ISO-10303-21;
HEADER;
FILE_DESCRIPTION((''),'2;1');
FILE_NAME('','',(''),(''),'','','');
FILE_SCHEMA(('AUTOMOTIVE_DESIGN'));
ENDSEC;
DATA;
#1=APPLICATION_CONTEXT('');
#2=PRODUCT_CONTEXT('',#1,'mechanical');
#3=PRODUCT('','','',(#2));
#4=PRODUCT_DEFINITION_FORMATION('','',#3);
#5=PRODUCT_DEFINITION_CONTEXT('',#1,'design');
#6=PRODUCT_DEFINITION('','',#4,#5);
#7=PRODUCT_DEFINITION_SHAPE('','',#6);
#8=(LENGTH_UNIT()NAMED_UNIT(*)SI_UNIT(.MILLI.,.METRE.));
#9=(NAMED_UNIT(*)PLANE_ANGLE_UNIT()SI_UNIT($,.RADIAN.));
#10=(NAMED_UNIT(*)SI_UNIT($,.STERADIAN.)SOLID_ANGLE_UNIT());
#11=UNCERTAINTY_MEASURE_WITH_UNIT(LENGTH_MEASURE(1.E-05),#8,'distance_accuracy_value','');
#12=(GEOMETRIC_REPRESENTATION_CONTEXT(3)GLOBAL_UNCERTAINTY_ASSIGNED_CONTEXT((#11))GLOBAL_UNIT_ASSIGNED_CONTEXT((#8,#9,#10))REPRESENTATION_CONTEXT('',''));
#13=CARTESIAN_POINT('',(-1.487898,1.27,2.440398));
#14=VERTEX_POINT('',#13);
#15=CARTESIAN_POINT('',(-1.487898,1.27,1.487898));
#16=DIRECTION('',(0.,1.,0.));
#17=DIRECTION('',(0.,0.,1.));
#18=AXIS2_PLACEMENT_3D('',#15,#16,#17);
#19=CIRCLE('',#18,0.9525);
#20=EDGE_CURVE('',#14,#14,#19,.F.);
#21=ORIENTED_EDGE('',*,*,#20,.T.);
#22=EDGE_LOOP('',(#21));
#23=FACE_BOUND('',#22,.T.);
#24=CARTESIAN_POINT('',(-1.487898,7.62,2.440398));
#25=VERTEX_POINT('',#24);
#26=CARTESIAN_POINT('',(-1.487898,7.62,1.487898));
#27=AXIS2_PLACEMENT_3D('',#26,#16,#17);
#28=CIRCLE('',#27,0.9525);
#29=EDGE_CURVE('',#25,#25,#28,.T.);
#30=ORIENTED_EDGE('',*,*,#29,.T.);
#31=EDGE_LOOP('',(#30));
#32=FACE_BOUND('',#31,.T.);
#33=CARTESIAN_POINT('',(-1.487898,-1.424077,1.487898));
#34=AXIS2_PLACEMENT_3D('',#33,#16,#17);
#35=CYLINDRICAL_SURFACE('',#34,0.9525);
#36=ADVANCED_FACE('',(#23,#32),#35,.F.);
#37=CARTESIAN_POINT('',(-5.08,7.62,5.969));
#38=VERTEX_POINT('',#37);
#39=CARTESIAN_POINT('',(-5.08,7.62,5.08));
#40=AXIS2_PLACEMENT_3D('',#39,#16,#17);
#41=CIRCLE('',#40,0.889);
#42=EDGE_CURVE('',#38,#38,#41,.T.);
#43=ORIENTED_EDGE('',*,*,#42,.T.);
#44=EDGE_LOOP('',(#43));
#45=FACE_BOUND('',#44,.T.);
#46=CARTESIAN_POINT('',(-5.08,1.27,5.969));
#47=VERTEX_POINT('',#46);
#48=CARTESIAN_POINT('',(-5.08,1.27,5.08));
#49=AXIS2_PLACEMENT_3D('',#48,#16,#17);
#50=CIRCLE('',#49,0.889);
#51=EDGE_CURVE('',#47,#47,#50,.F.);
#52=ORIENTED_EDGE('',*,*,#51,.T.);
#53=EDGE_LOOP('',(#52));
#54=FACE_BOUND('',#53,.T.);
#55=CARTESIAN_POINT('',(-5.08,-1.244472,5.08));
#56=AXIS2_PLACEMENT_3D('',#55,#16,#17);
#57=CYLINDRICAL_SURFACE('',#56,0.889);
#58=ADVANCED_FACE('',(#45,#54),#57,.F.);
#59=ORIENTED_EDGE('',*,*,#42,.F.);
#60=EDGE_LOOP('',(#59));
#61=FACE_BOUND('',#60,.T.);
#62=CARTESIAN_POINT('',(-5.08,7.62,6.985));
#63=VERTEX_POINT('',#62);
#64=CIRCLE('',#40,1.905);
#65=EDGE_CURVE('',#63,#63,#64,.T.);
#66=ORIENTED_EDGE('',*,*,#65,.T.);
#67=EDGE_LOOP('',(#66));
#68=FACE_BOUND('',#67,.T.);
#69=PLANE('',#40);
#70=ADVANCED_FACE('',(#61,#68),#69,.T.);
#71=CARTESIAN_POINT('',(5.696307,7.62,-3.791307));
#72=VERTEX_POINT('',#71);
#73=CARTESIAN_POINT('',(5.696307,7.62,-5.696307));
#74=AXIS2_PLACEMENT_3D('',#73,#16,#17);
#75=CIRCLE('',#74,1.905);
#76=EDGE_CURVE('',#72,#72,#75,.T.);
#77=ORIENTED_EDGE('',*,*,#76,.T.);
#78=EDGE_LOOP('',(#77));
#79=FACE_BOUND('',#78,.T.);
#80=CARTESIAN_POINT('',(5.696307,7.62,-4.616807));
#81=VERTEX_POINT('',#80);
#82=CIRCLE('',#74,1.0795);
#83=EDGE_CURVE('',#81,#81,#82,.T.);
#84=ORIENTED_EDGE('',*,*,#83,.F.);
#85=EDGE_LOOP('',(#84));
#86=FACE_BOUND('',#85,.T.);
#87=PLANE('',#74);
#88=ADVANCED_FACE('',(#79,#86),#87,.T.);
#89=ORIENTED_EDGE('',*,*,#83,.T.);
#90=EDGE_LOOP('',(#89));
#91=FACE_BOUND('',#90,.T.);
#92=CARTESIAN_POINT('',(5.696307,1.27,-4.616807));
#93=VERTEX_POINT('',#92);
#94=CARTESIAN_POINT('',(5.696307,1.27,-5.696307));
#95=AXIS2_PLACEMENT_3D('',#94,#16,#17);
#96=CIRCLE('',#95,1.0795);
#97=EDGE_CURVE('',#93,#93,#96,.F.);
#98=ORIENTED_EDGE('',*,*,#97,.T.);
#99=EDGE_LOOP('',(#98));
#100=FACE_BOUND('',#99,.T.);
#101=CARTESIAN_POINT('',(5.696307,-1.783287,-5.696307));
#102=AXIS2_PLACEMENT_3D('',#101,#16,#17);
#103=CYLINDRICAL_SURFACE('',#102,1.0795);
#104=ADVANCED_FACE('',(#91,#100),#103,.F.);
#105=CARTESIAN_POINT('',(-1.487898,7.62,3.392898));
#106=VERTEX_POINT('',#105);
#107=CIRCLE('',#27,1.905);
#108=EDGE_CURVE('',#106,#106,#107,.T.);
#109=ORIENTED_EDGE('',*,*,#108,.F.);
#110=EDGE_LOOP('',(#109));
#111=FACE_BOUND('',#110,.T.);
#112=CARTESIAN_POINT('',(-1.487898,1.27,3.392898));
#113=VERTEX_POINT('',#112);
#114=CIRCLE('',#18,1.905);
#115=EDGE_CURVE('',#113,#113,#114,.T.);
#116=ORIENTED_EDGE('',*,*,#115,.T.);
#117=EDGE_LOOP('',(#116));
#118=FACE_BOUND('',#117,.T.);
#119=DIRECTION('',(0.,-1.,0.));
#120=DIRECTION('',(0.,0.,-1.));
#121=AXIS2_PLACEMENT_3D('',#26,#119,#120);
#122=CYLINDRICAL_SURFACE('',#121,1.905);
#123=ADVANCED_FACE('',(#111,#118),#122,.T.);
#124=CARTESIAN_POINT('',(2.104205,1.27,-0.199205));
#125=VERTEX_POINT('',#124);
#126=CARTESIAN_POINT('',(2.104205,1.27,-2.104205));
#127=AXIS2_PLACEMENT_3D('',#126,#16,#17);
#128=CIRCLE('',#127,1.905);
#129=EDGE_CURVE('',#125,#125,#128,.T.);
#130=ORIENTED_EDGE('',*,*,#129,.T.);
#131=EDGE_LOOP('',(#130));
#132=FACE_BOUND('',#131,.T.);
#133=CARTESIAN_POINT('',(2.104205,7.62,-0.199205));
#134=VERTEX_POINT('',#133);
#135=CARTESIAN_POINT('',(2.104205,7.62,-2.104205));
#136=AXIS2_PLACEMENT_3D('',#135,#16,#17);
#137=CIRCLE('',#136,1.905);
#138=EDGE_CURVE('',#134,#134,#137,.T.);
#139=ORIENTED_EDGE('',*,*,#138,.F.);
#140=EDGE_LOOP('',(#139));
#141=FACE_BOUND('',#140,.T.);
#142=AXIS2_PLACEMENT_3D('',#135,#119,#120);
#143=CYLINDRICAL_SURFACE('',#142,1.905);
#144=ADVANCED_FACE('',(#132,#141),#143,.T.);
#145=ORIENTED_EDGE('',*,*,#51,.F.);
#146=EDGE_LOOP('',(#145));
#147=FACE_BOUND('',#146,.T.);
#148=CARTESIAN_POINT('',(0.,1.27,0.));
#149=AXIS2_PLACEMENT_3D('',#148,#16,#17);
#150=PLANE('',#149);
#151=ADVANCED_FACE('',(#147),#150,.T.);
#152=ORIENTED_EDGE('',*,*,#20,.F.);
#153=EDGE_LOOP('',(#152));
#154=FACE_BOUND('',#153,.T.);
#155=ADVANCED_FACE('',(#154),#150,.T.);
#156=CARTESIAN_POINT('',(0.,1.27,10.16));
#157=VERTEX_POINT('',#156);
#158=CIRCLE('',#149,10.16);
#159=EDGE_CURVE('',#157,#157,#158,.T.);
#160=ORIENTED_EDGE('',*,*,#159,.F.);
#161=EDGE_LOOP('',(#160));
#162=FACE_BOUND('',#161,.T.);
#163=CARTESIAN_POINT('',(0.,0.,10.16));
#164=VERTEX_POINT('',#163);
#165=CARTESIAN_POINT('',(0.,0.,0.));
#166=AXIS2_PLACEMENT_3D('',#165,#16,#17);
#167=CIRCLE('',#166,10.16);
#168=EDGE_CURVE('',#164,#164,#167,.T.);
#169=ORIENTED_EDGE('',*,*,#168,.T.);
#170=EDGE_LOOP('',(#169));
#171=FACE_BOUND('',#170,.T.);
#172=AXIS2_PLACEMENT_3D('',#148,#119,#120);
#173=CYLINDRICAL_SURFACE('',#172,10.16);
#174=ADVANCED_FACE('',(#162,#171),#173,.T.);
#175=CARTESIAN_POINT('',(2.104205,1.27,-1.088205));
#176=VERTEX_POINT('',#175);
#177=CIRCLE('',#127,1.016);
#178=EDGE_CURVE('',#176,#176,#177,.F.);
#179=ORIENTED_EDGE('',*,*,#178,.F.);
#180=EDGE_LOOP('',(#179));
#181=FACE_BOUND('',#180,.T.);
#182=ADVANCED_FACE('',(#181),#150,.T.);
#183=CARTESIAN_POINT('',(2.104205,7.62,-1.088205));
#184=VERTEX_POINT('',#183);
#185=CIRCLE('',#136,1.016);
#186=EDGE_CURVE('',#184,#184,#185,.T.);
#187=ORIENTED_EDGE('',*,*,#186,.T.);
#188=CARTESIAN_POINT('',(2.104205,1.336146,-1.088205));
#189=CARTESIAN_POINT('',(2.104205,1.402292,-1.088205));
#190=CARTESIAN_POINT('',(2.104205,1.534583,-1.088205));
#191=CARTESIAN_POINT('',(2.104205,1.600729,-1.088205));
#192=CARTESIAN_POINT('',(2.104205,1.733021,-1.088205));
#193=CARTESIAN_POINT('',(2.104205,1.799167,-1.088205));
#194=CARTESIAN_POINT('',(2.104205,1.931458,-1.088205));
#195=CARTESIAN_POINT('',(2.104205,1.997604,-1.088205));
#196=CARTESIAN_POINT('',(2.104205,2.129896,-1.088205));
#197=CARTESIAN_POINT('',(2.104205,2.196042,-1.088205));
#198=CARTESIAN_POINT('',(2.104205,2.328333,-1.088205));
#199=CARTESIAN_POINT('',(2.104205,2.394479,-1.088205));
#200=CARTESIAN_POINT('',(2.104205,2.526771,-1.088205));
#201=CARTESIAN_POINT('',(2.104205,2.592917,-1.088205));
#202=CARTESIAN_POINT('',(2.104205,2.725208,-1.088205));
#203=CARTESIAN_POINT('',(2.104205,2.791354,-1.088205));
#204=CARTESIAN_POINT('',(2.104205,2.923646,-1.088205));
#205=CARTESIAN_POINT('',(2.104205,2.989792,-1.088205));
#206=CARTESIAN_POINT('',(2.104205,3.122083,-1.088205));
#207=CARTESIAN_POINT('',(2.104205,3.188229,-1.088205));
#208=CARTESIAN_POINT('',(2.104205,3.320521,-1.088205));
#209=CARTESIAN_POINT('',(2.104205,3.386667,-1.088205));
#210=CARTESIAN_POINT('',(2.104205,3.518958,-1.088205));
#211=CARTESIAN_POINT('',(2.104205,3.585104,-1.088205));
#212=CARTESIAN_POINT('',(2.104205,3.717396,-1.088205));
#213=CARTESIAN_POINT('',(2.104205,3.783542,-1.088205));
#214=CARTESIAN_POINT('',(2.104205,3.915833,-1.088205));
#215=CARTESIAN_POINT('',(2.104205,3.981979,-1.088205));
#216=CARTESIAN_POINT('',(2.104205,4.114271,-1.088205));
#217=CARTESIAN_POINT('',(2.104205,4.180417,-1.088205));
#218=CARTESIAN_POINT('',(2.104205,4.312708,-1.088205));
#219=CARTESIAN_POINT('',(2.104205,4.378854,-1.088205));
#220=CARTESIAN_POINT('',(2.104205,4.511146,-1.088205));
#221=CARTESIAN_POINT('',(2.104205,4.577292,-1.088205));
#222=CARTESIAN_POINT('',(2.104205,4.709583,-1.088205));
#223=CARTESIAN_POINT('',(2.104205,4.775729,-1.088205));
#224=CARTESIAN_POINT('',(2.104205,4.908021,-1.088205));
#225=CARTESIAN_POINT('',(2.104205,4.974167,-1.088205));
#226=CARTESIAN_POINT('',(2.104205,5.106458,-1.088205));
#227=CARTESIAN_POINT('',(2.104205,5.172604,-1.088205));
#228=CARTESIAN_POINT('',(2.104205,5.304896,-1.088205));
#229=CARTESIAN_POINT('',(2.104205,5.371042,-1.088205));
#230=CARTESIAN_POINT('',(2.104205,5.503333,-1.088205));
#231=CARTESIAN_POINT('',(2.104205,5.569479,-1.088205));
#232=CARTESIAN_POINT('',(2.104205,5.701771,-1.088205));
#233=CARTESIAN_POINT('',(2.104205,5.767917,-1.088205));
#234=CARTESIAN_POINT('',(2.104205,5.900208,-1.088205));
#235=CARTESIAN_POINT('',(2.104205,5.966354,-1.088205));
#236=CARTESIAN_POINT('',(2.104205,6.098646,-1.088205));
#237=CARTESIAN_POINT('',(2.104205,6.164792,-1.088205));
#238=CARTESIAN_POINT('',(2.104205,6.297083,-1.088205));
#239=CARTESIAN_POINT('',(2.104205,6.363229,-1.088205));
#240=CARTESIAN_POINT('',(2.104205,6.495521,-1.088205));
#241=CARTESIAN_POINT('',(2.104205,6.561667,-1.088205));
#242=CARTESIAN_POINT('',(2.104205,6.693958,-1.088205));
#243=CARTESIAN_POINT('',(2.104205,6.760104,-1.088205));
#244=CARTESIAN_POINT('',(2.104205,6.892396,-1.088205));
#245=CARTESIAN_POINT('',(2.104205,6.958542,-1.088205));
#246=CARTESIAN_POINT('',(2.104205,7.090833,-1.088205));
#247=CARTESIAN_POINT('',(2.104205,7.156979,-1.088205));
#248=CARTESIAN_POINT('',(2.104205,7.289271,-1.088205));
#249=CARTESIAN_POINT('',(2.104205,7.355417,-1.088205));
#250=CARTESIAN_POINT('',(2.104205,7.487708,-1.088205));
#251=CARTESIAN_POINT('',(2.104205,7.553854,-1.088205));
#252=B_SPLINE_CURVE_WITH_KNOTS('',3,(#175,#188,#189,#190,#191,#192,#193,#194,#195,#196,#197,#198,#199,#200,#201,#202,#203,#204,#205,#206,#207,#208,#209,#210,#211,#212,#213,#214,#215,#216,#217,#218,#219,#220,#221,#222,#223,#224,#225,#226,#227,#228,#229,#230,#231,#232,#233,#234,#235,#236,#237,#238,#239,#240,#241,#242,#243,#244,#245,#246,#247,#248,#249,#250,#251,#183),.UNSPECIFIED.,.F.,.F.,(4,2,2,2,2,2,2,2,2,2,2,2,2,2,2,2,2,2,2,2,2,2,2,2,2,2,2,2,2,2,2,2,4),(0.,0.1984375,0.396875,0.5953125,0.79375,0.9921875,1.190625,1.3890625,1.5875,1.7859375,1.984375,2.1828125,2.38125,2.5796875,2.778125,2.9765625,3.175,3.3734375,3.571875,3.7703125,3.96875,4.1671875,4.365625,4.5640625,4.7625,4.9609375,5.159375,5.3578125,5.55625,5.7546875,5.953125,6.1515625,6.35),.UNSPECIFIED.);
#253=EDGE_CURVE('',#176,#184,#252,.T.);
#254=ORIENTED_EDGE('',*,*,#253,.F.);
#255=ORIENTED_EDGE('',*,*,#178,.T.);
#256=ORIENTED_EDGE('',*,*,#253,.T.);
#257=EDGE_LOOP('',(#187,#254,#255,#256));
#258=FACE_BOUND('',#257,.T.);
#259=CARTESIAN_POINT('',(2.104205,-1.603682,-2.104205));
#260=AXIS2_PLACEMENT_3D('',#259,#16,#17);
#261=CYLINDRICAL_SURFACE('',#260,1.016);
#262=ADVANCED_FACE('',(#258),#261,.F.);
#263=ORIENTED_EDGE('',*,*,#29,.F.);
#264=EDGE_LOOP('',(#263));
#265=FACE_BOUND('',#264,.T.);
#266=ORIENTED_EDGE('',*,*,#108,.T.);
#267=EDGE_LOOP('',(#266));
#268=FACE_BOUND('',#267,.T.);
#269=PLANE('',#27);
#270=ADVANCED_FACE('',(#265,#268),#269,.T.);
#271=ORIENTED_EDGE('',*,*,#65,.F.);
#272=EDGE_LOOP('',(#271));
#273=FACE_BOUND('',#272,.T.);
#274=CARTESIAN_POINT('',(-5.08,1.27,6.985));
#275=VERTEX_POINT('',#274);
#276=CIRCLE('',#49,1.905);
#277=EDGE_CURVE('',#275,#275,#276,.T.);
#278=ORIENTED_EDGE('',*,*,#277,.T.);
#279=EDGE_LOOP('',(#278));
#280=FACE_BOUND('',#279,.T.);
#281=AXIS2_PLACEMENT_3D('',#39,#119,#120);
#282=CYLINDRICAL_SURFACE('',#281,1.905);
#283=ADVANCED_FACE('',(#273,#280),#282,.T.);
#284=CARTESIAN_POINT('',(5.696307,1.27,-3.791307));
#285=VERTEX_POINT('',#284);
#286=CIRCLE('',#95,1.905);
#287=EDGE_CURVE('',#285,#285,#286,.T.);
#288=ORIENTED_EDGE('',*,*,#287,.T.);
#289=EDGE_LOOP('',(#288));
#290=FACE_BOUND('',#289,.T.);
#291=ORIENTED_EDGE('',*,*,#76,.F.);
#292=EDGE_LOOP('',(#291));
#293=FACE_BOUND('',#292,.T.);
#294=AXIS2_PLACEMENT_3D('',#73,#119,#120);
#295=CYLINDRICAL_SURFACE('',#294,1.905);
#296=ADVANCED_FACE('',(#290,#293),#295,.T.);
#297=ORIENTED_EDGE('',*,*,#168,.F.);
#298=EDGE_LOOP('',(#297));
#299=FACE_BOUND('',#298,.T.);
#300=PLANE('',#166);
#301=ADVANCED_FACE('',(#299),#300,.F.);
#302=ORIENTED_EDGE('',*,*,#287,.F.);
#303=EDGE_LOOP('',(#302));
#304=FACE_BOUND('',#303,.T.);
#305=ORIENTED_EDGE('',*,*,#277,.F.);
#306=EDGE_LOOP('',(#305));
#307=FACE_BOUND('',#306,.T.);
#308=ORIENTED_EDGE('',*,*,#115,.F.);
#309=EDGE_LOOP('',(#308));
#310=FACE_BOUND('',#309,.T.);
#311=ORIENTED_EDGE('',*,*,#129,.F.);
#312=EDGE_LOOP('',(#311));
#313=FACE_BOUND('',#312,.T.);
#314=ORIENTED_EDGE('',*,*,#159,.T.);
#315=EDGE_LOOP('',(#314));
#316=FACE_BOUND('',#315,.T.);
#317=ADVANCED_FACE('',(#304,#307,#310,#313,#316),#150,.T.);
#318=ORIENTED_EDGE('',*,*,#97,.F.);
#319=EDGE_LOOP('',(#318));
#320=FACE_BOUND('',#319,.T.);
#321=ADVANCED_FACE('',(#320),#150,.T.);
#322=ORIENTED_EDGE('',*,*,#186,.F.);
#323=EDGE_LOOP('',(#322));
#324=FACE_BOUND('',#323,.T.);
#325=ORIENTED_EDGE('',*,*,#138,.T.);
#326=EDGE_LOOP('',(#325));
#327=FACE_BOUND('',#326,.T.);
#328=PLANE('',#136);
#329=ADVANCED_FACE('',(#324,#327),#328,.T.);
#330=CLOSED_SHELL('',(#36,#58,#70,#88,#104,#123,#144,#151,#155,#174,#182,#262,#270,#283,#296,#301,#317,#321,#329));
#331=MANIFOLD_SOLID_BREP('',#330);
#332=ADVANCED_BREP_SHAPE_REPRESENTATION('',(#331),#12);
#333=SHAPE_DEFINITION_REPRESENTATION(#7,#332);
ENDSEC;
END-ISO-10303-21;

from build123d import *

# Parameters (mm, degrees)
SKETCH3_R           = 10.16
BOSS_EXTRUDE1_DEPTH = 1.27
SKETCH4_R           = 1.905
BOSS_EXTRUDE2_DEPTH = 6.35
LPATTERN1_COUNT     = 4
LPATTERN1_PITCH     = 5.08
SKETCH6_R           = 0.889
CUT_EXTRUDE1_DEPTH  = 6.35
SKETCH7_R           = 0.9525
CUT_EXTRUDE2_DEPTH  = 6.35
SKETCH8_R           = 1.016
CUT_EXTRUDE3_DEPTH  = 6.35
SKETCH9_R           = 1.0795
CUT_EXTRUDE4_DEPTH  = 6.35


with BuildPart() as part:
    # Sketch3 → Boss-Extrude1 (new body)
    with BuildSketch(Plane(origin=(0, 0, 0), x_dir=(1, 0, 0), z_dir=(0, 1, 0))):
        with Locations(Location((0, 0, 0), (0, 0, 270))):
            Circle(SKETCH3_R)
    extrude(amount=BOSS_EXTRUDE1_DEPTH)

    # Sketch4 → Boss-Extrude2 (add)
    with BuildSketch(Plane(origin=(0, 1.27, 0), x_dir=(1, 0, 0), z_dir=(0, 1, 0))):
        with Locations(Location((-5.08, -5.08, 0), (0, 0, 270))):
            Circle(SKETCH4_R)
    boss_extrude2 = extrude(amount=BOSS_EXTRUDE2_DEPTH)

    # LPattern1: Boss-Extrude2 ×4
    with Locations(*[Vector(0.7071067811865476, 0, -0.7071067811865476) * (i * LPATTERN1_PITCH) for i in range(1, LPATTERN1_COUNT)]):
        add(boss_extrude2)

    # Sketch6 → Cut-Extrude1 (cut)
    with BuildSketch(Plane(origin=(0, 7.62, 0), x_dir=(1, 0, 0), z_dir=(0, 1, 0))):
        with Locations(Location((-5.08, -5.08, 0), (0, 0, 270))):
            Circle(SKETCH6_R)
    extrude(amount=-CUT_EXTRUDE1_DEPTH, mode=Mode.SUBTRACT)

    # Sketch7 → Cut-Extrude2 (cut)
    with BuildSketch(Plane(origin=(0, 7.62, 0), x_dir=(1, 0, 0), z_dir=(0, 1, 0))):
        with Locations(Location((-1.487897552, -1.487897552, 0), (0, 0, 270))):
            Circle(SKETCH7_R)
    extrude(amount=-CUT_EXTRUDE2_DEPTH, mode=Mode.SUBTRACT)

    # Sketch8 → Cut-Extrude3 (cut)
    with BuildSketch(Plane(origin=(0, 7.62, 0), x_dir=(1, 0, 0), z_dir=(0, 1, 0))):
        with Locations(Location((2.104204897, 2.104204897, 0), (0, 0, 270))):
            Circle(SKETCH8_R)
    extrude(amount=-CUT_EXTRUDE3_DEPTH, mode=Mode.SUBTRACT)

    # Sketch9 → Cut-Extrude4 (cut)
    with BuildSketch(Plane(origin=(0, 7.62, 0), x_dir=(1, 0, 0), z_dir=(0, 1, 0))):
        with Locations(Location((5.696307345, 5.696307345, 0), (0, 0, 270))):
            Circle(SKETCH9_R)
    extrude(amount=-CUT_EXTRUDE4_DEPTH, mode=Mode.SUBTRACT)


solid = part.part
